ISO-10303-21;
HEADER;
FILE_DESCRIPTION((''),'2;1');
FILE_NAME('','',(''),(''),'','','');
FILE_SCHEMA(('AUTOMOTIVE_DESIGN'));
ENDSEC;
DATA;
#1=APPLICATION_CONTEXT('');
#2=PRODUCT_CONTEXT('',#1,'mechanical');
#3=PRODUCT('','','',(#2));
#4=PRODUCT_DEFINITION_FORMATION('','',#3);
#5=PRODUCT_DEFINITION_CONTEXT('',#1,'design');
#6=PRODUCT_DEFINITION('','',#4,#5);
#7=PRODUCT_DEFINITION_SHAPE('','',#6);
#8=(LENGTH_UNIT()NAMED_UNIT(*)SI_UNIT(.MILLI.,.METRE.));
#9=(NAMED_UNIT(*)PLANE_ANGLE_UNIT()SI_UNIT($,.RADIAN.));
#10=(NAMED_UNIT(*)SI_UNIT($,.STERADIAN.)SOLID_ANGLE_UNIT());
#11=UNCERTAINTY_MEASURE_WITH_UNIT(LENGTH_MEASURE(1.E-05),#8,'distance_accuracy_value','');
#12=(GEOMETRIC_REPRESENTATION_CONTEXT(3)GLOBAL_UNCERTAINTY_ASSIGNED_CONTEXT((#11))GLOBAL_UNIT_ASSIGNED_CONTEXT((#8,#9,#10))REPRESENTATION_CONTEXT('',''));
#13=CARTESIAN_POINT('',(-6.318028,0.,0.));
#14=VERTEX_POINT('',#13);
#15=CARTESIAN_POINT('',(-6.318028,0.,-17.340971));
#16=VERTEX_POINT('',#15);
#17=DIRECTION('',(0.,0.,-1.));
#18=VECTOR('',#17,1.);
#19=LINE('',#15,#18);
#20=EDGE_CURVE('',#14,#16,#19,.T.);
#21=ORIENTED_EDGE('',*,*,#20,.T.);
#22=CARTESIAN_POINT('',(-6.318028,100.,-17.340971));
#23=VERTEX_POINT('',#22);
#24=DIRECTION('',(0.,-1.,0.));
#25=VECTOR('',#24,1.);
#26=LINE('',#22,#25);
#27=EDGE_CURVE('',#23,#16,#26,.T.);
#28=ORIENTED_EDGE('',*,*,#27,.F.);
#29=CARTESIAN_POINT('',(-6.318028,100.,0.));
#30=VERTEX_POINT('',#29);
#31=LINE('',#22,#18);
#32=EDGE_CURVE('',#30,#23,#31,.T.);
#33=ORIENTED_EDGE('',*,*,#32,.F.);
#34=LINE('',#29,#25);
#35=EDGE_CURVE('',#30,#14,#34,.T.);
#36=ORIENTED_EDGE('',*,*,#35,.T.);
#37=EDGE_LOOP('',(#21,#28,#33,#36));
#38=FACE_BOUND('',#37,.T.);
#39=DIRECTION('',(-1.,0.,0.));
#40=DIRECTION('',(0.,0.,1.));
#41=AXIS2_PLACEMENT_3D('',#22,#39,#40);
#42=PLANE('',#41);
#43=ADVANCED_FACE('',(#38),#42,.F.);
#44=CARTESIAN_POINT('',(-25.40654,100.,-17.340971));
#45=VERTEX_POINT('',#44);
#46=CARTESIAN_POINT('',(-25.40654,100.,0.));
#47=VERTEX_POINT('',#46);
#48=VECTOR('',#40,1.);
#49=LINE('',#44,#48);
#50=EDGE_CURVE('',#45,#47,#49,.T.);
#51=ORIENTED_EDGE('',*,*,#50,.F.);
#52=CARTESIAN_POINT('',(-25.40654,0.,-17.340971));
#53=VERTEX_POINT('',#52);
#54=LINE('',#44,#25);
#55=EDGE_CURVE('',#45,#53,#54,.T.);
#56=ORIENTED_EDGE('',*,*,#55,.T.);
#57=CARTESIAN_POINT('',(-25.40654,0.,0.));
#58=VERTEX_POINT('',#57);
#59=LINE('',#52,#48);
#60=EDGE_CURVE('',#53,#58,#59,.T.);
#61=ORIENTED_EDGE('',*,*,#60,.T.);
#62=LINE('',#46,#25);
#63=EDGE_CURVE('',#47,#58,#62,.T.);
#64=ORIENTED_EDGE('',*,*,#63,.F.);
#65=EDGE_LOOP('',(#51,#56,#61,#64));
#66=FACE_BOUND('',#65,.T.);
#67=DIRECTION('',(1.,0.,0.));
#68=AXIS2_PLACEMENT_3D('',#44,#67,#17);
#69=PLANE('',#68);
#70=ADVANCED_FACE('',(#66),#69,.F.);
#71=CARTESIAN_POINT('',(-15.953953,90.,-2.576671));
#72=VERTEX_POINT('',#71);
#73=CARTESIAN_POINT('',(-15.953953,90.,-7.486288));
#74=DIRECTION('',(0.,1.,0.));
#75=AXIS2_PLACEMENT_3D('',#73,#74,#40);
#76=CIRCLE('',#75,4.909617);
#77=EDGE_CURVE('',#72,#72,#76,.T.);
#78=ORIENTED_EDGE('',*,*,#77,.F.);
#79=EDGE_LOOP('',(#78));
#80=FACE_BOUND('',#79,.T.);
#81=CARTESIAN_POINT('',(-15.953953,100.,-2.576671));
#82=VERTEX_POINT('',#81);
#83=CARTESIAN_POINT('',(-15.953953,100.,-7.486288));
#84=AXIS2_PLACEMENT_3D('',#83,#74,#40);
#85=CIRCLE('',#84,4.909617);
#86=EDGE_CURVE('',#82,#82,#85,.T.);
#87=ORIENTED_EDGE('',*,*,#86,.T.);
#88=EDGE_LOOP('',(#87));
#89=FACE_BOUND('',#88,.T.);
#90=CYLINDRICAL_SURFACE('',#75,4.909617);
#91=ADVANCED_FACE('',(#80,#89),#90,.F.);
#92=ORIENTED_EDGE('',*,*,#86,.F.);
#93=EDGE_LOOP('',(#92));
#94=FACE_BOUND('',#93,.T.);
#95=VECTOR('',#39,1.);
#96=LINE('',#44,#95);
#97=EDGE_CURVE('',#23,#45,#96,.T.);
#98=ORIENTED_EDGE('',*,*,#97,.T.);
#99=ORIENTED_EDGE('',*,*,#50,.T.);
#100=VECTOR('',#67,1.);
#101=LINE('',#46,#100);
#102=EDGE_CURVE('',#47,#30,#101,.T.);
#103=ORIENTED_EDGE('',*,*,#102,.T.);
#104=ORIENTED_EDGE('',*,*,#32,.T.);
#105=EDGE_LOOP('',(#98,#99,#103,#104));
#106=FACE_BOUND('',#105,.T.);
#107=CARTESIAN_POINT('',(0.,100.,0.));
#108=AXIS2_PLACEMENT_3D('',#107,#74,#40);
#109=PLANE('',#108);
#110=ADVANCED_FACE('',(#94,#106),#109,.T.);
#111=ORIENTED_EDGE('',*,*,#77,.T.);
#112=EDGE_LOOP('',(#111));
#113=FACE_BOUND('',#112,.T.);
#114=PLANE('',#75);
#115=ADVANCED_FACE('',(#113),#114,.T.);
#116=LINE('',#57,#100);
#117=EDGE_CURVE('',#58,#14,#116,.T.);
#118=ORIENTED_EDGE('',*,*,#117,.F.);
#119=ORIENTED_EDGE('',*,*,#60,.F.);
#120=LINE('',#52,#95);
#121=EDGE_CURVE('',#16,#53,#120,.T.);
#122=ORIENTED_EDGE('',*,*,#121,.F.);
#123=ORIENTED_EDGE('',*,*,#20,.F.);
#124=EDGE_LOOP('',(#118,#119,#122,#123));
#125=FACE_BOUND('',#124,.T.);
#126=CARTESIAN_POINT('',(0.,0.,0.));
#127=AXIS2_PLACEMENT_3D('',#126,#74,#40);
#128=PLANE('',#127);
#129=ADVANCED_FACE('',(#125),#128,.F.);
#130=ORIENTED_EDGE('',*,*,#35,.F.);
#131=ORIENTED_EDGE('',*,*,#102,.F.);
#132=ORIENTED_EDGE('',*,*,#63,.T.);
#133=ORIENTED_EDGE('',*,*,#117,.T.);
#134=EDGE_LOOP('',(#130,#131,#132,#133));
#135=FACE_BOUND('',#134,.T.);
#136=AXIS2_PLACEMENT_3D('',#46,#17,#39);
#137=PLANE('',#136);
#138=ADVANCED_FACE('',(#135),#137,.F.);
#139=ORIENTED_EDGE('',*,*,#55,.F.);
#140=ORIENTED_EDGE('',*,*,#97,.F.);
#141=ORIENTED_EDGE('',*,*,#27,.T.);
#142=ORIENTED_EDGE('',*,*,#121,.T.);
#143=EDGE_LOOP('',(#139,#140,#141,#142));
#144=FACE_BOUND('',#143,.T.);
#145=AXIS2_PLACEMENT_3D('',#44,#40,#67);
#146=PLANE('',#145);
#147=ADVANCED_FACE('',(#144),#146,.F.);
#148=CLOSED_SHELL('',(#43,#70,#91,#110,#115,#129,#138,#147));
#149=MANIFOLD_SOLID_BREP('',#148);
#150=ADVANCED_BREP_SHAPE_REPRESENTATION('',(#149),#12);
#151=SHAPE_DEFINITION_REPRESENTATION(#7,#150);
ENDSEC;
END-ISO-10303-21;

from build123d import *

# Parameters (mm, degrees)
SKETCH1_W           = 19.088511203
SKETCH1_H           = 17.340971445
BOSS_EXTRUDE1_DEPTH = 100
SKETCH2_R           = 4.909616735
CUT_EXTRUDE1_DEPTH  = 10


with BuildPart() as part:
    # Sketch1 → Boss-Extrude1 (new body)
    with BuildSketch(Plane(origin=(0, 0, 0), x_dir=(1, 0, 0), z_dir=(0, 1, 0))):
        with Locations((-15.862283958, 8.670485723)):
            Rectangle(SKETCH1_W, SKETCH1_H)
    extrude(amount=BOSS_EXTRUDE1_DEPTH)

    # Sketch2 → Cut-Extrude1 (cut)
    with BuildSketch(Plane(origin=(0, 100, 0), x_dir=(1, 0, 0), z_dir=(0, 1, 0))):
        with Locations((-15.953953264, 7.486287958)):
            Circle(SKETCH2_R)
    extrude(amount=-CUT_EXTRUDE1_DEPTH, mode=Mode.SUBTRACT)


solid = part.part
